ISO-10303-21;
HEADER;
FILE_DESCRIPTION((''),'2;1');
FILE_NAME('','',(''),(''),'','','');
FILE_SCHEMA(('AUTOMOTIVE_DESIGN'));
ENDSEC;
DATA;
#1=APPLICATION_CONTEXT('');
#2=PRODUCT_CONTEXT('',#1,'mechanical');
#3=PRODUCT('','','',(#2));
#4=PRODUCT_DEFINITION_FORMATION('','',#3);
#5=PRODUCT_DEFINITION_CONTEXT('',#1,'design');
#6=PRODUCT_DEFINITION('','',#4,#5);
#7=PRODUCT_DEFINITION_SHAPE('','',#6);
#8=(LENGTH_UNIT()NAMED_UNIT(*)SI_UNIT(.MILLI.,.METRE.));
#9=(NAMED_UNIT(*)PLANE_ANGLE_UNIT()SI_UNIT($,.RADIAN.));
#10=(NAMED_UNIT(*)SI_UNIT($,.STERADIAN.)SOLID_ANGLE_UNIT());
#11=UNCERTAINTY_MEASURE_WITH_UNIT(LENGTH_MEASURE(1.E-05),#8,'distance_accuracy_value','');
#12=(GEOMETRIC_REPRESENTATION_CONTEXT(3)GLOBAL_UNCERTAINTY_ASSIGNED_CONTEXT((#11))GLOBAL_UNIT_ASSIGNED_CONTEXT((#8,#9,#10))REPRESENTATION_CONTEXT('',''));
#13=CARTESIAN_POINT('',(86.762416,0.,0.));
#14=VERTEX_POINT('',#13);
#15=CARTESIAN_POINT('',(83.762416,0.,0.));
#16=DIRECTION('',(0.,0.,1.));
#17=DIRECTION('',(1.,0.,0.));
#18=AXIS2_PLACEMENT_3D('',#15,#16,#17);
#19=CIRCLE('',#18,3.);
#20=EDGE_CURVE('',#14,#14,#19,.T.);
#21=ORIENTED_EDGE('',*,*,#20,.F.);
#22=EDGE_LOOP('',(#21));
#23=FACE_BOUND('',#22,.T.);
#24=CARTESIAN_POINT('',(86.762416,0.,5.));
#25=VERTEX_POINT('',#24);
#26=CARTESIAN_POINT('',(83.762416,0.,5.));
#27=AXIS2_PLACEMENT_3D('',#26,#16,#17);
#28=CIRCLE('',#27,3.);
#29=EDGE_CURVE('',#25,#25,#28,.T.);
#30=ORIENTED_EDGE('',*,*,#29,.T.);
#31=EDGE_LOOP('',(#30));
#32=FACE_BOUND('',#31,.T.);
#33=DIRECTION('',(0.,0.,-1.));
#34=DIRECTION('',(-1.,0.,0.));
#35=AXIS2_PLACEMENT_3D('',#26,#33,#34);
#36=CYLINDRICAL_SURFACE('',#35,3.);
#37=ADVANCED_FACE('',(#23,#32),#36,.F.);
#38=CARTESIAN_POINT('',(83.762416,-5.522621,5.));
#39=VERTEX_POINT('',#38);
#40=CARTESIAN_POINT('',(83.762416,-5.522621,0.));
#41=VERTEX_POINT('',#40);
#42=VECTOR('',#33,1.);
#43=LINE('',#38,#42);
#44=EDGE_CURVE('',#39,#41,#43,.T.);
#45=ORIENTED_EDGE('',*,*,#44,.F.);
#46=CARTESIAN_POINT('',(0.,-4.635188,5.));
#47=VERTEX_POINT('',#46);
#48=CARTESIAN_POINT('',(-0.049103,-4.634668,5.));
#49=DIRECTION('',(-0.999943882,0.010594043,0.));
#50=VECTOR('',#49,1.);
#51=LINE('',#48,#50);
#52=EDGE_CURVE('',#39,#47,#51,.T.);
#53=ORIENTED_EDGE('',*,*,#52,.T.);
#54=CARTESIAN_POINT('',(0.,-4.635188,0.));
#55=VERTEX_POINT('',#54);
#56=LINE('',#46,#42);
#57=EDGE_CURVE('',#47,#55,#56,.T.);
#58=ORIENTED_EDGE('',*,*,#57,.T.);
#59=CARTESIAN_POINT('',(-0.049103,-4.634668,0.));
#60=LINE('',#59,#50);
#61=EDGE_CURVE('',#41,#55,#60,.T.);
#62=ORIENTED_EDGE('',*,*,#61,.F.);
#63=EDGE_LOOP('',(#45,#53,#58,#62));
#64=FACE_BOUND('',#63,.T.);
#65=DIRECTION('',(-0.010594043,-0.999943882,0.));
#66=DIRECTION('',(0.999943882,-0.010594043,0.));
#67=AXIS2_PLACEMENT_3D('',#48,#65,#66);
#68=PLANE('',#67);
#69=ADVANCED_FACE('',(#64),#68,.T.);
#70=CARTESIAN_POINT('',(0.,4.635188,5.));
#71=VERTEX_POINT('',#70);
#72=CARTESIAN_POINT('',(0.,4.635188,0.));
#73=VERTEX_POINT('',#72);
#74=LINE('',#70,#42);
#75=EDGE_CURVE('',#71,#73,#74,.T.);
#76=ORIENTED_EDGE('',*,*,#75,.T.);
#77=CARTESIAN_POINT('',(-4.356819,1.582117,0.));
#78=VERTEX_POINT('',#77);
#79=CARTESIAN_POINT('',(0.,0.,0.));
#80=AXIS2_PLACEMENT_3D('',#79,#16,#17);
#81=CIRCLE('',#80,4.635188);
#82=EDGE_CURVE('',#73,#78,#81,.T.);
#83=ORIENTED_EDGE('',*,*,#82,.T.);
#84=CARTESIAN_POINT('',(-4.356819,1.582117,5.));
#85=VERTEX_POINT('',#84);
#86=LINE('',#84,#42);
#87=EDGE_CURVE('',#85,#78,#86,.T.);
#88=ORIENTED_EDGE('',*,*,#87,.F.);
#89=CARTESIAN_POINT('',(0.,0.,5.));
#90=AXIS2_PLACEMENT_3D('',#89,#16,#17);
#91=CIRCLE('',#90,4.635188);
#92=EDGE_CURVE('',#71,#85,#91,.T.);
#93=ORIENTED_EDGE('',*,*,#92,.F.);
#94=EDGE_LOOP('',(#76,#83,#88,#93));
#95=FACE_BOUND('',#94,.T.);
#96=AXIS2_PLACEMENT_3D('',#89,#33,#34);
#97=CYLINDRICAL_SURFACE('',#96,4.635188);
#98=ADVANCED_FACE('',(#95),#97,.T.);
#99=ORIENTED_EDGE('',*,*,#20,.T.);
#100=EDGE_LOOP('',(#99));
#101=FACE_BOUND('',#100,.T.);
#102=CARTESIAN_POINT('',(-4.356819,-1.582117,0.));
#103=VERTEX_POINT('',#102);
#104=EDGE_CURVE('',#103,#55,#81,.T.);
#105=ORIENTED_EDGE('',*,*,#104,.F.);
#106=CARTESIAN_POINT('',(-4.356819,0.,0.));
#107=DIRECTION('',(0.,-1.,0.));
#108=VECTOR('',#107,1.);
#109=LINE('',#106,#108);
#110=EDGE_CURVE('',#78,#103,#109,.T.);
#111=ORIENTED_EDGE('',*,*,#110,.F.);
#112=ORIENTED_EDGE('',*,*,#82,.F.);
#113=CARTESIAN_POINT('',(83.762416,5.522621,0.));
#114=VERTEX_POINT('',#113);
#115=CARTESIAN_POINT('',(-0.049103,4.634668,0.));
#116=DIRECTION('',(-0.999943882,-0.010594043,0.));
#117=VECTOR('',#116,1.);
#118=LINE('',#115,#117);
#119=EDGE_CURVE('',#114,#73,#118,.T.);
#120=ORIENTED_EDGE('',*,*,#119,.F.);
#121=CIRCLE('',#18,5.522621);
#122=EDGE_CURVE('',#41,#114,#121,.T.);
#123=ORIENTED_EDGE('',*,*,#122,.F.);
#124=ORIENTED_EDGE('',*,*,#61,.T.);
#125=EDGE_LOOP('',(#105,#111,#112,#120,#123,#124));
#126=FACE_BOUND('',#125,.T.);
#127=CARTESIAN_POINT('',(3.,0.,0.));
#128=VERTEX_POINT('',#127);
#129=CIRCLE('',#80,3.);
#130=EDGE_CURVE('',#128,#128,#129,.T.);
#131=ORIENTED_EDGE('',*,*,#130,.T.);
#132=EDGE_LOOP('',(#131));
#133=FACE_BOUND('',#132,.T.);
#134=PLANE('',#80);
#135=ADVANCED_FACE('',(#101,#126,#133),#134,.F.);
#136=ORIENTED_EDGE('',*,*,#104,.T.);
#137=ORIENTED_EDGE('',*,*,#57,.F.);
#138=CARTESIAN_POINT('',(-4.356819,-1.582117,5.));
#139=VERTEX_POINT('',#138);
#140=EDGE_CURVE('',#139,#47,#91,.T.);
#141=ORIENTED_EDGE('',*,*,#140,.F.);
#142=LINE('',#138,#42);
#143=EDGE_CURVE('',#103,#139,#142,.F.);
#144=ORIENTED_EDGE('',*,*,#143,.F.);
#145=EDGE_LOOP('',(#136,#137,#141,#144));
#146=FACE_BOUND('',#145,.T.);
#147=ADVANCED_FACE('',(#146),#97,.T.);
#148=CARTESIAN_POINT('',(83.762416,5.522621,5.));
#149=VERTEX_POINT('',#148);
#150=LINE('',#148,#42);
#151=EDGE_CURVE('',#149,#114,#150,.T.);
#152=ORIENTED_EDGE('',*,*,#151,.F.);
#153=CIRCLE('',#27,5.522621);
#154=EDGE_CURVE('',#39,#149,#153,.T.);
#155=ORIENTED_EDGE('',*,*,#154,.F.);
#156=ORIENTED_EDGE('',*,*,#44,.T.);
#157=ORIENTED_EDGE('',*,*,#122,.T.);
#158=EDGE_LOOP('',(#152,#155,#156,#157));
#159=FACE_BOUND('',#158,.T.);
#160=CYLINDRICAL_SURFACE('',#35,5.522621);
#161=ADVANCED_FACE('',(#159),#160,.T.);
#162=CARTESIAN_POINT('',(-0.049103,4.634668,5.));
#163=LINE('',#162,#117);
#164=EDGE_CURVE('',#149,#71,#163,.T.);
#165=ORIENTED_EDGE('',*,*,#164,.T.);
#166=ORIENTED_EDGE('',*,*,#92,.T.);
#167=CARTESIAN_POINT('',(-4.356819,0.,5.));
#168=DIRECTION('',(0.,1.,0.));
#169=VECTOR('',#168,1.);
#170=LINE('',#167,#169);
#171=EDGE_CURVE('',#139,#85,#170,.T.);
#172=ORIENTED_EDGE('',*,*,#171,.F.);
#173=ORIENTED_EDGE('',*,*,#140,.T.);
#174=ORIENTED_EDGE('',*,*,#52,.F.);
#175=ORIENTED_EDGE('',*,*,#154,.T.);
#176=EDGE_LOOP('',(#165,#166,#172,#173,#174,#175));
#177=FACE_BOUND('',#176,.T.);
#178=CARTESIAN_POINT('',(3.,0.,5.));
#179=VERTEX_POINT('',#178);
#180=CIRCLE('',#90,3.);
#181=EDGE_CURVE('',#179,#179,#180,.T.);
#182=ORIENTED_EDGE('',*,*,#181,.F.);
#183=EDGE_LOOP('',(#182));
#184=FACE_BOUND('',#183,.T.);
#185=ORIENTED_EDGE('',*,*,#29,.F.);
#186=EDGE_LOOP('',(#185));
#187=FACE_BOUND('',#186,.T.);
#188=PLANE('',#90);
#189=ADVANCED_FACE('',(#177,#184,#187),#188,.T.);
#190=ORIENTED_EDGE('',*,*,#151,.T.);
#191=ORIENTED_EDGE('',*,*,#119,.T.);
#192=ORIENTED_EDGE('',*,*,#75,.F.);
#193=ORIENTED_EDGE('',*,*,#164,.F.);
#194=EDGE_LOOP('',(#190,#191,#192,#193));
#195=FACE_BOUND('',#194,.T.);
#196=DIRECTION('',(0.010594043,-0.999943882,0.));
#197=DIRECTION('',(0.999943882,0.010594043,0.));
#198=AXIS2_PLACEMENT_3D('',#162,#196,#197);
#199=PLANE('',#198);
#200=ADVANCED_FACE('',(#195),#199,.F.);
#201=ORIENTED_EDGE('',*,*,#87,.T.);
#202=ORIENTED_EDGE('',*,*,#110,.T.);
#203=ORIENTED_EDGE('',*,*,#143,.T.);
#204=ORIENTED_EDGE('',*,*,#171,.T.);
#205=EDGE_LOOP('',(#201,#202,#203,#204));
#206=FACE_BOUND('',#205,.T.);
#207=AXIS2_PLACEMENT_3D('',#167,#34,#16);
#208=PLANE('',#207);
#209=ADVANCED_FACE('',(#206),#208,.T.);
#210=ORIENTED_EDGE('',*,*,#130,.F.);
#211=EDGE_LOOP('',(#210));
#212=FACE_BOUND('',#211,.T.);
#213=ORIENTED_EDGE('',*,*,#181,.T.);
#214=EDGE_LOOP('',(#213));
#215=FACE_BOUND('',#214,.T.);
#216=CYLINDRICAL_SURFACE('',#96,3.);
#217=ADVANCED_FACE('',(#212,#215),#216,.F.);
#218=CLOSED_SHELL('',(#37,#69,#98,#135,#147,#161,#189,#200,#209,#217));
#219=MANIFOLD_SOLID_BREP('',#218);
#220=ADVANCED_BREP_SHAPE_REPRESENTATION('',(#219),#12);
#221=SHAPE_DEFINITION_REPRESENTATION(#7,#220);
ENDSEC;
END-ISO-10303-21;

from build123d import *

# Parameters (mm, degrees)
SZKIC1_R                    = 4.635188213
SZKIC1_R_2                  = 3.000000079
SZKIC1_R_3                  = 5.522620658
DODANIE_WYCI_GNI_CIE1_DEPTH = 5
SZKIC2_W                    = 1.618528634
SZKIC2_H                    = 7.505645785
SZKIC2_W_2                  = 0.651830256
SZKIC2_H_2                  = 5.051684483
WYTNIJ_WYCI_GNI_CIE3_DEPTH  = 6


with BuildPart() as part:
    # Szkic1 → Dodanie-wyciągnięcie1 (new body)
    with BuildSketch(Plane.XY):
        with BuildLine():
            Line((0, -4.635188213), (83.645408354, -5.521381009))
            ThreePointArc((83.645408354, -5.521381009), (78.239794892, 0), (83.645408354, 5.521381009))
            Line((83.645408354, 5.521381009), (0, 4.635188213))
            ThreePointArc((0, 4.635188213), (3.277573017, 3.277573017), (4.635188213, 0))
            ThreePointArc((4.635188213, 0), (3.277573017, -3.277573017), (0, -4.635188213))
        make_face()
        Circle(SZKIC1_R)
        Circle(SZKIC1_R_2, mode=Mode.SUBTRACT)
        with BuildLine():
            ThreePointArc((0, 4.635188213), (-4.635188213, 0), (0, -4.635188213))
            ThreePointArc((0, -4.635188213), (3.277573017, -3.277573017), (4.635188213, 0))
            ThreePointArc((4.635188213, 0), (3.277573017, 3.277573017), (0, 4.635188213))
        make_face()
        Circle(SZKIC1_R_2, mode=Mode.SUBTRACT)
        with BuildLine():
            ThreePointArc((83.645408354, -5.521381009), (83.703908669, -5.522310737), (83.76241555, -5.522620658))
            Line((83.76241555, -5.522620658), (83.645408354, -5.521381009))
        make_face()
        with Locations((83.76241555, 0)):
            Circle(SZKIC1_R_3)
        with Locations((83.76241555, 0)):
            Circle(SZKIC1_R_2, mode=Mode.SUBTRACT)
        with BuildLine():
            ThreePointArc((83.76241555, 5.522620658), (83.703908669, 5.522310737), (83.645408354, 5.521381009))
            Line((83.645408354, 5.521381009), (83.76241555, 5.522620658))
        make_face()
    extrude(amount=DODANIE_WYCI_GNI_CIE1_DEPTH)

    # Szkic2 → Wytnij-wyciągnięcie3 (cut, through all)
    with BuildSketch(Plane.XY):
        with Locations((193.638606269, 0.381285041)):
            Rectangle(SZKIC2_W, SZKIC2_H)
        with Locations((-4.682734605, -0.038745932)):
            Rectangle(SZKIC2_W_2, SZKIC2_H_2)
    extrude(amount=WYTNIJ_WYCI_GNI_CIE3_DEPTH, mode=Mode.SUBTRACT)


solid = part.part
